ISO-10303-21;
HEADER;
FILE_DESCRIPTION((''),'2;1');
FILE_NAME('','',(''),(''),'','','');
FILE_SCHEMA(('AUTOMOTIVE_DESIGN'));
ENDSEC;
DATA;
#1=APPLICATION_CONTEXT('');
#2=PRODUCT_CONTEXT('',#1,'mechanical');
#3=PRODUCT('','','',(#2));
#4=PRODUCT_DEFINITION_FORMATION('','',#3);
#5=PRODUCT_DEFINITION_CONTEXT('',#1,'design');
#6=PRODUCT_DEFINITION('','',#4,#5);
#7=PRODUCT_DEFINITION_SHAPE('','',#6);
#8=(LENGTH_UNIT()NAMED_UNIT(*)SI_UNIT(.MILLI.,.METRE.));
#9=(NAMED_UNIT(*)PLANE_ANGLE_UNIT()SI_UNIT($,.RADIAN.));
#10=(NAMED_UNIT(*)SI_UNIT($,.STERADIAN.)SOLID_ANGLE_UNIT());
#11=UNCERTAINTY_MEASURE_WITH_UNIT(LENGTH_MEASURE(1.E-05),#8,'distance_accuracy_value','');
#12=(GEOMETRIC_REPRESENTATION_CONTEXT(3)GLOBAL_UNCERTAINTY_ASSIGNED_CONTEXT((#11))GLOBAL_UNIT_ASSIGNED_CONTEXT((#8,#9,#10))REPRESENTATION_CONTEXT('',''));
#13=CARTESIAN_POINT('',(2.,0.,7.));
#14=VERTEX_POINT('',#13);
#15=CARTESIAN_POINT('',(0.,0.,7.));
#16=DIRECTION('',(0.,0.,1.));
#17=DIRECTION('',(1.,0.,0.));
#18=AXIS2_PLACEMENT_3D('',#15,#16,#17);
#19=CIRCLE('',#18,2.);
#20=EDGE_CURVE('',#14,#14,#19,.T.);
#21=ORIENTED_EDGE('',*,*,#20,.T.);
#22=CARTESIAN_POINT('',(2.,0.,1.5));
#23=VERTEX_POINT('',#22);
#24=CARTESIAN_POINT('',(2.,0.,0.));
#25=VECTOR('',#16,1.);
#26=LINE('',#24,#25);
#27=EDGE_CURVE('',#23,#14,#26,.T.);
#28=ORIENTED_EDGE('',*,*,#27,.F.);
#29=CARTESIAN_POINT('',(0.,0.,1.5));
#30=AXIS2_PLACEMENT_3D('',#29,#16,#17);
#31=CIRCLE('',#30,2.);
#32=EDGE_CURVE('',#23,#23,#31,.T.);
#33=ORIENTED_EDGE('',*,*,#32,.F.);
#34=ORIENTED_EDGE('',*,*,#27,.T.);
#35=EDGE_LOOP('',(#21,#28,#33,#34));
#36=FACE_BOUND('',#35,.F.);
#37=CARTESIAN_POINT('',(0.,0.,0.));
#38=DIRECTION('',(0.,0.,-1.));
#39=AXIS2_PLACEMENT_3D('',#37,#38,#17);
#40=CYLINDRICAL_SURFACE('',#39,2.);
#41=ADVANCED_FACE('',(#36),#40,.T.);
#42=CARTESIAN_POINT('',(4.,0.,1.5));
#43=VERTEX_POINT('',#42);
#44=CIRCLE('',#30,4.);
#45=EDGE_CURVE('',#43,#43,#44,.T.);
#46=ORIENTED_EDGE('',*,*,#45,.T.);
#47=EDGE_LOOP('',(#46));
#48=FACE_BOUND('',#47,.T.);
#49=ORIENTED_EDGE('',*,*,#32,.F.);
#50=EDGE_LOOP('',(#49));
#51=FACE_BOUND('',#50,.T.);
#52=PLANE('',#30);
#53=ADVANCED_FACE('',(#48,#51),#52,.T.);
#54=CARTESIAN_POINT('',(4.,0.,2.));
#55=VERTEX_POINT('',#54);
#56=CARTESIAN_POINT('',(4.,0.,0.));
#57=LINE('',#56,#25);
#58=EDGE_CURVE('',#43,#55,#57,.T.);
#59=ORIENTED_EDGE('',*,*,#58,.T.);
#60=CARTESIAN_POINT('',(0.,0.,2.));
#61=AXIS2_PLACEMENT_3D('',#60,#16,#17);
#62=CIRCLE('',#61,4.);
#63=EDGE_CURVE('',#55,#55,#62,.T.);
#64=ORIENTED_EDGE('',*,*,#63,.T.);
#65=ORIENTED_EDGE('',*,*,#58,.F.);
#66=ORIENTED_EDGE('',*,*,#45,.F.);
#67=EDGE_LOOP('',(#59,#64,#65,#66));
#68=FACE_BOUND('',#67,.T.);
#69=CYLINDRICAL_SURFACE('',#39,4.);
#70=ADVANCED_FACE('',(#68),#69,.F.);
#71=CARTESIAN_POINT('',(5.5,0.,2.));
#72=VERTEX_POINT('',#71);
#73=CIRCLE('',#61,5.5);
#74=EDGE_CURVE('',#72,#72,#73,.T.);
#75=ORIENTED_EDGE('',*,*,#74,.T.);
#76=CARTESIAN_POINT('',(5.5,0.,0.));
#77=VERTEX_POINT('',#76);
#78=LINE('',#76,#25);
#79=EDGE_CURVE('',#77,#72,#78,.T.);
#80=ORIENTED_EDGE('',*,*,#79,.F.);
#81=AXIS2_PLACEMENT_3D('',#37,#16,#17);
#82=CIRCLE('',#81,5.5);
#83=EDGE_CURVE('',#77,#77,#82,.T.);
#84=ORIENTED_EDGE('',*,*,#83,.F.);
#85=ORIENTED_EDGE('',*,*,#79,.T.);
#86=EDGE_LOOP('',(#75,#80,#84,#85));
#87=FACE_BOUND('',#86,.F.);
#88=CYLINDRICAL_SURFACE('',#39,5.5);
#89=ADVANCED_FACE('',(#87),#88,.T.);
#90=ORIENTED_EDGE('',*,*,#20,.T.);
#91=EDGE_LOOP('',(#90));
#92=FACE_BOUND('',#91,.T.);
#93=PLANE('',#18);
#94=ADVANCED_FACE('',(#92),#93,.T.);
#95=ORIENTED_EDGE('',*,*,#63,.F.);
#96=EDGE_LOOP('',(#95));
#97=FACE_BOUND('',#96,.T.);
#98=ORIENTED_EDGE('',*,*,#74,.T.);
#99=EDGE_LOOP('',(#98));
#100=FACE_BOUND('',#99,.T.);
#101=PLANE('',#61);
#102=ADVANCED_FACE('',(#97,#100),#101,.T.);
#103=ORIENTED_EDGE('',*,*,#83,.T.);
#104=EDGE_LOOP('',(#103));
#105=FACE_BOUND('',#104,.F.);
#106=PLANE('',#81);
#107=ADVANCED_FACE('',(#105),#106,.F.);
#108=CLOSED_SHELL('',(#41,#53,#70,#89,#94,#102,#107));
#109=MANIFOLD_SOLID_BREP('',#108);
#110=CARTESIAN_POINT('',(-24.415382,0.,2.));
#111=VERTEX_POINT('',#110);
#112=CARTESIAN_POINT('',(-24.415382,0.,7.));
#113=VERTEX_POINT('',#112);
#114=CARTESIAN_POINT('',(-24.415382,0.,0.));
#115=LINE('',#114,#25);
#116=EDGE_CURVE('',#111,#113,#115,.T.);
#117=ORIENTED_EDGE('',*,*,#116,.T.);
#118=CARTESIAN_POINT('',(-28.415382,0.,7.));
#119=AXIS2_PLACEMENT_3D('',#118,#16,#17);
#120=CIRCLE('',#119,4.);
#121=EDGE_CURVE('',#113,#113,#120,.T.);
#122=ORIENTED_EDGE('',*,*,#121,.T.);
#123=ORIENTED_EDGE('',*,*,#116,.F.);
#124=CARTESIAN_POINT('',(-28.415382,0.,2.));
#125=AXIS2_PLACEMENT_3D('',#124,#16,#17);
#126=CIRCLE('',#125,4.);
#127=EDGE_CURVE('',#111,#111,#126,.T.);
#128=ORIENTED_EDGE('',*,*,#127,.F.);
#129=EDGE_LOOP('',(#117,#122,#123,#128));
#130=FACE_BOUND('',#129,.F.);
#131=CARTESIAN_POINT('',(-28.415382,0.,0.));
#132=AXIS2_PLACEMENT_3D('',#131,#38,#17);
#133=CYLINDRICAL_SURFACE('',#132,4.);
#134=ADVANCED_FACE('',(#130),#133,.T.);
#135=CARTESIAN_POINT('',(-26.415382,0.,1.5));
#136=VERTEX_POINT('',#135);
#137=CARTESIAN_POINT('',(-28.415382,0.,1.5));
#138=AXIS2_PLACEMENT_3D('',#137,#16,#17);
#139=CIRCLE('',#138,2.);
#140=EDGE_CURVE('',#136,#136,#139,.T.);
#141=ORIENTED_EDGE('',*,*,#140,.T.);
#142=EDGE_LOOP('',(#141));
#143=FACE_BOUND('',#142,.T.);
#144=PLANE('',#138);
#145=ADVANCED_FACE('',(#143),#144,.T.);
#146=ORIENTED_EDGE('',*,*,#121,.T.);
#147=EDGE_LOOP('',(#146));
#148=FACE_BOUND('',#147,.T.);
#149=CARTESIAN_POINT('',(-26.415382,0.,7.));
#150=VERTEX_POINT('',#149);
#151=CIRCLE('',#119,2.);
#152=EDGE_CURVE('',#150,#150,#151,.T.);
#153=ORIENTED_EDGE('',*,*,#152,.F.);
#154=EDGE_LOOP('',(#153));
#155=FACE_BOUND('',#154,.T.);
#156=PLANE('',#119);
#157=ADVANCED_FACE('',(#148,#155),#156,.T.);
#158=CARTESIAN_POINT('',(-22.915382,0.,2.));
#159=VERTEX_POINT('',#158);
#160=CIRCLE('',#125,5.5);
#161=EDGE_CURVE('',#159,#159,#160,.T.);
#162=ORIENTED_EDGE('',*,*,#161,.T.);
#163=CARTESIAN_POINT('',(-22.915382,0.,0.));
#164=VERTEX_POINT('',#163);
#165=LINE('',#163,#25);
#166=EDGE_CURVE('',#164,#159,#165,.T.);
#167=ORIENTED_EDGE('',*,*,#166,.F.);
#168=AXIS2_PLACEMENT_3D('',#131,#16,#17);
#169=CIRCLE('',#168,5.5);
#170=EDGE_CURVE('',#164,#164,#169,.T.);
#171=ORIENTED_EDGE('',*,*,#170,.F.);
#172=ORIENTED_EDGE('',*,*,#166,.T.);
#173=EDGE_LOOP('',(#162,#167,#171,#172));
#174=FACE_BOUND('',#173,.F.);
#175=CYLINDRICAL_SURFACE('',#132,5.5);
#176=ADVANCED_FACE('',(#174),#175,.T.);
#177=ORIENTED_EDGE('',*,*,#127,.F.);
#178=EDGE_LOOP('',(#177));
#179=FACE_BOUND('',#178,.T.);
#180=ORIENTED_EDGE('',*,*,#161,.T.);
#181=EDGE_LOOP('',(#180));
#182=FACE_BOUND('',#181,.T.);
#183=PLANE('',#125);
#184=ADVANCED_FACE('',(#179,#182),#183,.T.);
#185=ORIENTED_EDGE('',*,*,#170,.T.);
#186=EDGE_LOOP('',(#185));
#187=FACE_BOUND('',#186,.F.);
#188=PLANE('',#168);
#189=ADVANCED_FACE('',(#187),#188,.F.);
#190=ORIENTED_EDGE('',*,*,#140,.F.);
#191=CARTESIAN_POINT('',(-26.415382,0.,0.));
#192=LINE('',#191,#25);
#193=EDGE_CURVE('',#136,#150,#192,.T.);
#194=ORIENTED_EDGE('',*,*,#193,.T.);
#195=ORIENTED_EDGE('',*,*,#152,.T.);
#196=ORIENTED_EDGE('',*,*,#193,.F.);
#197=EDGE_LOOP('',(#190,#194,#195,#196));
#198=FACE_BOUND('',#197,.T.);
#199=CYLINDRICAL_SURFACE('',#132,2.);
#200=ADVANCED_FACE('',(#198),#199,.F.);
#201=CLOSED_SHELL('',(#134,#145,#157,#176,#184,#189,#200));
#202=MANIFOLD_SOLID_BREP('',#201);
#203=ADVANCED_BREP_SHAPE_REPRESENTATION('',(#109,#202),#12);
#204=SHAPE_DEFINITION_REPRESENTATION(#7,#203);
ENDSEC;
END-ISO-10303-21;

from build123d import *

# Parameters (mm, degrees)
F0_R     = 5.5
F0_R_2   = 4
F1_DEPTH = 2
F0_R_3   = 2
F2_DEPTH = 7
F3_DEPTH = 1.5
F4_DEPTH = 1.5


with BuildPart() as f1:
    # F0 (on Top) → F1 (new body)
    with BuildSketch(Plane.XY):
        Circle(F0_R)
        Circle(F0_R_2, mode=Mode.SUBTRACT)
    extrude(amount=F1_DEPTH)



with BuildPart() as f1b:
    # F0 (on Top) → F1, piece 2 (new body)
    with BuildSketch(Plane.XY):
        with Locations((-28.4153819084, 0)):
            Circle(F0_R)
        with Locations((-28.4153819084, 0)):
            Circle(F0_R_2, mode=Mode.SUBTRACT)
    extrude(amount=F1_DEPTH)

    # F0 (on Top) → F2 (join)
    with BuildSketch(Plane.XY):
        with Locations((-28.4153819084, 0)):
            Circle(F0_R_2)
        with Locations((-28.4153819084, 0)):
            Circle(F0_R_3, mode=Mode.SUBTRACT)
    extrude(amount=F2_DEPTH)

    # F0 (on Top) → F4 (join)
    with BuildSketch(Plane.XY):
        with Locations((-28.4153819084, 0)):
            Circle(F0_R_3)
    extrude(amount=F4_DEPTH)


with BuildPart() as f2:
    # F0 (on Top) → F2, piece 2 (new body)
    with BuildSketch(Plane.XY):
        Circle(F0_R_3)
    extrude(amount=F2_DEPTH)


with BuildPart() as f1_1:
    add(f1.part)

    add(f2.part)  # F3 merges F2
    # F0 (on Top) → F3 (join)
    with BuildSketch(Plane.XY):
        Circle(F0_R_2)
        Circle(F0_R_3, mode=Mode.SUBTRACT)
    extrude(amount=F3_DEPTH)


solid = Compound([f1b.part, f1_1.part])
